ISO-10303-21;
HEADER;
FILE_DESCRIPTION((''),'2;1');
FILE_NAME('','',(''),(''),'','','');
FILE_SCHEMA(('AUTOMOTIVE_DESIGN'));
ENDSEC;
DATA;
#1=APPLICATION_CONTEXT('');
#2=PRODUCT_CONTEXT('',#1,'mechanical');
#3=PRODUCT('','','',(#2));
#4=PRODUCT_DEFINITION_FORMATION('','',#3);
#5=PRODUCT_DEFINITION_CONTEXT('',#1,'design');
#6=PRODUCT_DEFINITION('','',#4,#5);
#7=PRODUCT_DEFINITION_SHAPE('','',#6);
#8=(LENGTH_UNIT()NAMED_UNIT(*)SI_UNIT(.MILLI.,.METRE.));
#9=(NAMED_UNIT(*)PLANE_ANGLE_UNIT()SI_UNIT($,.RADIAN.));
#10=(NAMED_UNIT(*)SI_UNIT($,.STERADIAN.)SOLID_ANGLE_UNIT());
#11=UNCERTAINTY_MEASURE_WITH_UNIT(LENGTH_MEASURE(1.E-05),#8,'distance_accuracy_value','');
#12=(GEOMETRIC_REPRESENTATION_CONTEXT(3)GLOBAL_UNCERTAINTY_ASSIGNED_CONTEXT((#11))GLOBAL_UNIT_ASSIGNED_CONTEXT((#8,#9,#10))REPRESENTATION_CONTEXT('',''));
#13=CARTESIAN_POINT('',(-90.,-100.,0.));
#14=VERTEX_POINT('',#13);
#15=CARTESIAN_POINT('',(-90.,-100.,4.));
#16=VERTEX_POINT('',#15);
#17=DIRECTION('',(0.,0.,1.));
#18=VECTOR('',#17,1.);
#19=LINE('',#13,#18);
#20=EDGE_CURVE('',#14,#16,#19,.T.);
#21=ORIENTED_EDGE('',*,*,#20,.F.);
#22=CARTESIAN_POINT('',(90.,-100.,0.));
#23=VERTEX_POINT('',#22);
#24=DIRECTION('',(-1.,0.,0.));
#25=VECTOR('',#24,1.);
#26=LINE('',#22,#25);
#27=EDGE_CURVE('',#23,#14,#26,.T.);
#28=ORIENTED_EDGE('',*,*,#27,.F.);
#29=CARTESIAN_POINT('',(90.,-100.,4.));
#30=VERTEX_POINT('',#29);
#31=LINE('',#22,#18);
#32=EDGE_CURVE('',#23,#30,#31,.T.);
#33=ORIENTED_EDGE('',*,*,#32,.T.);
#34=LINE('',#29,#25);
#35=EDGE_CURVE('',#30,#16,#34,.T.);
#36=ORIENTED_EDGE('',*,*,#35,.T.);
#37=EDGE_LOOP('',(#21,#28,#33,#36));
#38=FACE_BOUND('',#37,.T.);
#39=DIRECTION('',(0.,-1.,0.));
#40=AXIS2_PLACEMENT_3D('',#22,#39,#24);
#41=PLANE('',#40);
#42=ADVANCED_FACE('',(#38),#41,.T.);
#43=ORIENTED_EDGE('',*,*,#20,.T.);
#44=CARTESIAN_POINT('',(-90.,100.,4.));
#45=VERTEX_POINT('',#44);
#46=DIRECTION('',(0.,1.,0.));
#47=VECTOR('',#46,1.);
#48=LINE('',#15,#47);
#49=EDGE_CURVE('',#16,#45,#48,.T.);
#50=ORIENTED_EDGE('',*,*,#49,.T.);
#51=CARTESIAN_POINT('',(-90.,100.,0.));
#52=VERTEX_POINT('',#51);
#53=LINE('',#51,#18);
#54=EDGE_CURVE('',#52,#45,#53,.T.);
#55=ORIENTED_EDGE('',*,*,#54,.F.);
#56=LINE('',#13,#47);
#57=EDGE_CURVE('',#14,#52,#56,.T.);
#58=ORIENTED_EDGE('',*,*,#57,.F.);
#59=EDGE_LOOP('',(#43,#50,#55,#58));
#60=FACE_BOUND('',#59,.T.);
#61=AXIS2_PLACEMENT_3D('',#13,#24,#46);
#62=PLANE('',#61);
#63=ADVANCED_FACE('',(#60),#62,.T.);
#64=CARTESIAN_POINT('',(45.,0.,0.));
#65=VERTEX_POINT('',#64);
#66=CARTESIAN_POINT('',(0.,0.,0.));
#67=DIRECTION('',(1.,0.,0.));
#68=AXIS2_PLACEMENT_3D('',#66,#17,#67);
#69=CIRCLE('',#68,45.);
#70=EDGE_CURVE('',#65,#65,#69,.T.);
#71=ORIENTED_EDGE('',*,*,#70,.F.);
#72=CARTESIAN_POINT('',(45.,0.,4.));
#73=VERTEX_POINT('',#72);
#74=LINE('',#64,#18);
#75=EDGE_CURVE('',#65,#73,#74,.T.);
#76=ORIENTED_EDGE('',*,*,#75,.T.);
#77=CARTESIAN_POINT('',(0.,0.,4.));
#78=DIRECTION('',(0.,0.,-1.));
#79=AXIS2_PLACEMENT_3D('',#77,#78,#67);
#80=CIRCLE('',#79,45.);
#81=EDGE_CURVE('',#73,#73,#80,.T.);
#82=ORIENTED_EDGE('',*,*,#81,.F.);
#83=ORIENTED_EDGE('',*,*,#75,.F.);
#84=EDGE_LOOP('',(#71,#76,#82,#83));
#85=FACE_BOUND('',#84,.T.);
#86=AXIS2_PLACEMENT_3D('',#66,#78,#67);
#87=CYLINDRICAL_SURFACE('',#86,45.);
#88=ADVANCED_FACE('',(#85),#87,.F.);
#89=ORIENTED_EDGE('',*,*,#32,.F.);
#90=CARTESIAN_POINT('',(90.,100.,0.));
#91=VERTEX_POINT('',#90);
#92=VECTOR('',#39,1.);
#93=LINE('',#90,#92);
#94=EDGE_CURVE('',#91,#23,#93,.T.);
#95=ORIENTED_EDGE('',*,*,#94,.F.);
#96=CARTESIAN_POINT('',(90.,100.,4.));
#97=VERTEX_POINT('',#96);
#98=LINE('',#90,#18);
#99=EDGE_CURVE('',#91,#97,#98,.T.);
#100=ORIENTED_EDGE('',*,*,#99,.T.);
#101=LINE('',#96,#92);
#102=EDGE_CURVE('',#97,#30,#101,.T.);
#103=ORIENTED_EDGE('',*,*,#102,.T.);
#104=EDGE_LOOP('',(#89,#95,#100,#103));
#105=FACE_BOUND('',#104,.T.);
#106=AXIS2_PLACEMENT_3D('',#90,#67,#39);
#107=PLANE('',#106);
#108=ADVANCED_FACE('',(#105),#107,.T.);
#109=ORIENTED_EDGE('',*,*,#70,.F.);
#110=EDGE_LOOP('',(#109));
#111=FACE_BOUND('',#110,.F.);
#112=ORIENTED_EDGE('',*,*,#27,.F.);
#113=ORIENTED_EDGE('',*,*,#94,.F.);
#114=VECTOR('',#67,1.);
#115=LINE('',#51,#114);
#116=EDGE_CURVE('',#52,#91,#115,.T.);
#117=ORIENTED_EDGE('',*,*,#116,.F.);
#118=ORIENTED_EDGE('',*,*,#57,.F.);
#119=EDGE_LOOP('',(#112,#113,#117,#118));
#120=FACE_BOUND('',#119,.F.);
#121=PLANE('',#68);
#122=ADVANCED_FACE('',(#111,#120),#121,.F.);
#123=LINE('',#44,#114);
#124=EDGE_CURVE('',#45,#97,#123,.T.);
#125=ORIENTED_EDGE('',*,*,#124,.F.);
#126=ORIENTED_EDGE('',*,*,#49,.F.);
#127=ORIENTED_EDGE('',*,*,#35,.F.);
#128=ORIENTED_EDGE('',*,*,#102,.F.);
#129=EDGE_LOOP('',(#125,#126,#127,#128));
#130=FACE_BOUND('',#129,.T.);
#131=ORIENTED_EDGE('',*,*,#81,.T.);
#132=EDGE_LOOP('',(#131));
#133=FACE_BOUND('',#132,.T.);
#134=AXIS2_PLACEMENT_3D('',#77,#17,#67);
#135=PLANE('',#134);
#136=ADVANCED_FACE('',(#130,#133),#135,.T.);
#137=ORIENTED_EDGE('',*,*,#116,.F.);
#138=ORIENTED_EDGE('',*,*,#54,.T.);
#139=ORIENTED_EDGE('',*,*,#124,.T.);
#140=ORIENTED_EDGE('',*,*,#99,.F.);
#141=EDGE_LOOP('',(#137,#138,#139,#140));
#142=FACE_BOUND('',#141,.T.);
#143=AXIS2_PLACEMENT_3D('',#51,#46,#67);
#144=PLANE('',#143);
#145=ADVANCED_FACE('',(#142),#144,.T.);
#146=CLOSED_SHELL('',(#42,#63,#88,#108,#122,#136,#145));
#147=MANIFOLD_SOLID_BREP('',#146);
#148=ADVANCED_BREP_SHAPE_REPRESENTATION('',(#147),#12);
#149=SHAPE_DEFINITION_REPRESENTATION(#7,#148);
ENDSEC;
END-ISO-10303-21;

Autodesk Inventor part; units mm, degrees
ref_plane "YZ Plane" through (0, 0, 0) normal (1, 0, 0) x (0, 1, 0)
ref_plane "XZ Plane" through (0, 0, 0) normal (0, 1, 0) x (-1, 0, 0)
ref_plane "XY Plane" through (0, 0, 0) normal (0, 0, 1) x (1, 0, 0)
sketch "Sketch1" plane through (0, 0, 0) normal (0, 0, 1) x (1, 0, 0)
  line L0 (-90, 100) -> (90, 100)
  line L1 (90, 100) -> (90, -100)
  line L2 (90, -100) -> (-90, -100)
  line L3 (-90, -100) -> (-90, 100)
  line L4 (-90, 100) -> (90, -100) construction
  line L5 (90, 100) -> (-90, -100) construction
  point P0 (0, 0)
  dimension "d0" = 180
  dimension "d1" = 200
extrude "Plate1" add sketch "Sketch1" along normal blind 4
sketch "Sketch2" plane through (0, 0, 0) normal (0, 0, 1) x (1, 0, 0)
  circle A0 centre (0, 0) radius 45
  dimension "d3" = 90
extrude "Extrusion1" cut sketch "Sketch2" along normal blind 10
equation "\"d2\" = Thickness"
equation "\"BendRadius\" = Thickness"
equation "\"BendReliefWidth\" = Thickness"
equation "\"BendReliefDepth\" = 0.5 * Thickness"
equation "\"CornerReliefSize\" = 4 * Thickness"
equation "\"MinimumRemnant\" = 2 * Thickness"
equation "\"TransitionRadius\" = BendRadius"
equation "\"JacobiRadiusSize\" = BendRadius"
equation "\"GapSize\" = Thickness"
equation "\"Конус_Угол_продольный\" = 52.4deg"
equation "\"Конус_Угол_поперечный\" = 52deg"
equation "\"Thickness\" = 4"
properties part number "MSC 111 cone IN bottom" material "Stainless Steel"
